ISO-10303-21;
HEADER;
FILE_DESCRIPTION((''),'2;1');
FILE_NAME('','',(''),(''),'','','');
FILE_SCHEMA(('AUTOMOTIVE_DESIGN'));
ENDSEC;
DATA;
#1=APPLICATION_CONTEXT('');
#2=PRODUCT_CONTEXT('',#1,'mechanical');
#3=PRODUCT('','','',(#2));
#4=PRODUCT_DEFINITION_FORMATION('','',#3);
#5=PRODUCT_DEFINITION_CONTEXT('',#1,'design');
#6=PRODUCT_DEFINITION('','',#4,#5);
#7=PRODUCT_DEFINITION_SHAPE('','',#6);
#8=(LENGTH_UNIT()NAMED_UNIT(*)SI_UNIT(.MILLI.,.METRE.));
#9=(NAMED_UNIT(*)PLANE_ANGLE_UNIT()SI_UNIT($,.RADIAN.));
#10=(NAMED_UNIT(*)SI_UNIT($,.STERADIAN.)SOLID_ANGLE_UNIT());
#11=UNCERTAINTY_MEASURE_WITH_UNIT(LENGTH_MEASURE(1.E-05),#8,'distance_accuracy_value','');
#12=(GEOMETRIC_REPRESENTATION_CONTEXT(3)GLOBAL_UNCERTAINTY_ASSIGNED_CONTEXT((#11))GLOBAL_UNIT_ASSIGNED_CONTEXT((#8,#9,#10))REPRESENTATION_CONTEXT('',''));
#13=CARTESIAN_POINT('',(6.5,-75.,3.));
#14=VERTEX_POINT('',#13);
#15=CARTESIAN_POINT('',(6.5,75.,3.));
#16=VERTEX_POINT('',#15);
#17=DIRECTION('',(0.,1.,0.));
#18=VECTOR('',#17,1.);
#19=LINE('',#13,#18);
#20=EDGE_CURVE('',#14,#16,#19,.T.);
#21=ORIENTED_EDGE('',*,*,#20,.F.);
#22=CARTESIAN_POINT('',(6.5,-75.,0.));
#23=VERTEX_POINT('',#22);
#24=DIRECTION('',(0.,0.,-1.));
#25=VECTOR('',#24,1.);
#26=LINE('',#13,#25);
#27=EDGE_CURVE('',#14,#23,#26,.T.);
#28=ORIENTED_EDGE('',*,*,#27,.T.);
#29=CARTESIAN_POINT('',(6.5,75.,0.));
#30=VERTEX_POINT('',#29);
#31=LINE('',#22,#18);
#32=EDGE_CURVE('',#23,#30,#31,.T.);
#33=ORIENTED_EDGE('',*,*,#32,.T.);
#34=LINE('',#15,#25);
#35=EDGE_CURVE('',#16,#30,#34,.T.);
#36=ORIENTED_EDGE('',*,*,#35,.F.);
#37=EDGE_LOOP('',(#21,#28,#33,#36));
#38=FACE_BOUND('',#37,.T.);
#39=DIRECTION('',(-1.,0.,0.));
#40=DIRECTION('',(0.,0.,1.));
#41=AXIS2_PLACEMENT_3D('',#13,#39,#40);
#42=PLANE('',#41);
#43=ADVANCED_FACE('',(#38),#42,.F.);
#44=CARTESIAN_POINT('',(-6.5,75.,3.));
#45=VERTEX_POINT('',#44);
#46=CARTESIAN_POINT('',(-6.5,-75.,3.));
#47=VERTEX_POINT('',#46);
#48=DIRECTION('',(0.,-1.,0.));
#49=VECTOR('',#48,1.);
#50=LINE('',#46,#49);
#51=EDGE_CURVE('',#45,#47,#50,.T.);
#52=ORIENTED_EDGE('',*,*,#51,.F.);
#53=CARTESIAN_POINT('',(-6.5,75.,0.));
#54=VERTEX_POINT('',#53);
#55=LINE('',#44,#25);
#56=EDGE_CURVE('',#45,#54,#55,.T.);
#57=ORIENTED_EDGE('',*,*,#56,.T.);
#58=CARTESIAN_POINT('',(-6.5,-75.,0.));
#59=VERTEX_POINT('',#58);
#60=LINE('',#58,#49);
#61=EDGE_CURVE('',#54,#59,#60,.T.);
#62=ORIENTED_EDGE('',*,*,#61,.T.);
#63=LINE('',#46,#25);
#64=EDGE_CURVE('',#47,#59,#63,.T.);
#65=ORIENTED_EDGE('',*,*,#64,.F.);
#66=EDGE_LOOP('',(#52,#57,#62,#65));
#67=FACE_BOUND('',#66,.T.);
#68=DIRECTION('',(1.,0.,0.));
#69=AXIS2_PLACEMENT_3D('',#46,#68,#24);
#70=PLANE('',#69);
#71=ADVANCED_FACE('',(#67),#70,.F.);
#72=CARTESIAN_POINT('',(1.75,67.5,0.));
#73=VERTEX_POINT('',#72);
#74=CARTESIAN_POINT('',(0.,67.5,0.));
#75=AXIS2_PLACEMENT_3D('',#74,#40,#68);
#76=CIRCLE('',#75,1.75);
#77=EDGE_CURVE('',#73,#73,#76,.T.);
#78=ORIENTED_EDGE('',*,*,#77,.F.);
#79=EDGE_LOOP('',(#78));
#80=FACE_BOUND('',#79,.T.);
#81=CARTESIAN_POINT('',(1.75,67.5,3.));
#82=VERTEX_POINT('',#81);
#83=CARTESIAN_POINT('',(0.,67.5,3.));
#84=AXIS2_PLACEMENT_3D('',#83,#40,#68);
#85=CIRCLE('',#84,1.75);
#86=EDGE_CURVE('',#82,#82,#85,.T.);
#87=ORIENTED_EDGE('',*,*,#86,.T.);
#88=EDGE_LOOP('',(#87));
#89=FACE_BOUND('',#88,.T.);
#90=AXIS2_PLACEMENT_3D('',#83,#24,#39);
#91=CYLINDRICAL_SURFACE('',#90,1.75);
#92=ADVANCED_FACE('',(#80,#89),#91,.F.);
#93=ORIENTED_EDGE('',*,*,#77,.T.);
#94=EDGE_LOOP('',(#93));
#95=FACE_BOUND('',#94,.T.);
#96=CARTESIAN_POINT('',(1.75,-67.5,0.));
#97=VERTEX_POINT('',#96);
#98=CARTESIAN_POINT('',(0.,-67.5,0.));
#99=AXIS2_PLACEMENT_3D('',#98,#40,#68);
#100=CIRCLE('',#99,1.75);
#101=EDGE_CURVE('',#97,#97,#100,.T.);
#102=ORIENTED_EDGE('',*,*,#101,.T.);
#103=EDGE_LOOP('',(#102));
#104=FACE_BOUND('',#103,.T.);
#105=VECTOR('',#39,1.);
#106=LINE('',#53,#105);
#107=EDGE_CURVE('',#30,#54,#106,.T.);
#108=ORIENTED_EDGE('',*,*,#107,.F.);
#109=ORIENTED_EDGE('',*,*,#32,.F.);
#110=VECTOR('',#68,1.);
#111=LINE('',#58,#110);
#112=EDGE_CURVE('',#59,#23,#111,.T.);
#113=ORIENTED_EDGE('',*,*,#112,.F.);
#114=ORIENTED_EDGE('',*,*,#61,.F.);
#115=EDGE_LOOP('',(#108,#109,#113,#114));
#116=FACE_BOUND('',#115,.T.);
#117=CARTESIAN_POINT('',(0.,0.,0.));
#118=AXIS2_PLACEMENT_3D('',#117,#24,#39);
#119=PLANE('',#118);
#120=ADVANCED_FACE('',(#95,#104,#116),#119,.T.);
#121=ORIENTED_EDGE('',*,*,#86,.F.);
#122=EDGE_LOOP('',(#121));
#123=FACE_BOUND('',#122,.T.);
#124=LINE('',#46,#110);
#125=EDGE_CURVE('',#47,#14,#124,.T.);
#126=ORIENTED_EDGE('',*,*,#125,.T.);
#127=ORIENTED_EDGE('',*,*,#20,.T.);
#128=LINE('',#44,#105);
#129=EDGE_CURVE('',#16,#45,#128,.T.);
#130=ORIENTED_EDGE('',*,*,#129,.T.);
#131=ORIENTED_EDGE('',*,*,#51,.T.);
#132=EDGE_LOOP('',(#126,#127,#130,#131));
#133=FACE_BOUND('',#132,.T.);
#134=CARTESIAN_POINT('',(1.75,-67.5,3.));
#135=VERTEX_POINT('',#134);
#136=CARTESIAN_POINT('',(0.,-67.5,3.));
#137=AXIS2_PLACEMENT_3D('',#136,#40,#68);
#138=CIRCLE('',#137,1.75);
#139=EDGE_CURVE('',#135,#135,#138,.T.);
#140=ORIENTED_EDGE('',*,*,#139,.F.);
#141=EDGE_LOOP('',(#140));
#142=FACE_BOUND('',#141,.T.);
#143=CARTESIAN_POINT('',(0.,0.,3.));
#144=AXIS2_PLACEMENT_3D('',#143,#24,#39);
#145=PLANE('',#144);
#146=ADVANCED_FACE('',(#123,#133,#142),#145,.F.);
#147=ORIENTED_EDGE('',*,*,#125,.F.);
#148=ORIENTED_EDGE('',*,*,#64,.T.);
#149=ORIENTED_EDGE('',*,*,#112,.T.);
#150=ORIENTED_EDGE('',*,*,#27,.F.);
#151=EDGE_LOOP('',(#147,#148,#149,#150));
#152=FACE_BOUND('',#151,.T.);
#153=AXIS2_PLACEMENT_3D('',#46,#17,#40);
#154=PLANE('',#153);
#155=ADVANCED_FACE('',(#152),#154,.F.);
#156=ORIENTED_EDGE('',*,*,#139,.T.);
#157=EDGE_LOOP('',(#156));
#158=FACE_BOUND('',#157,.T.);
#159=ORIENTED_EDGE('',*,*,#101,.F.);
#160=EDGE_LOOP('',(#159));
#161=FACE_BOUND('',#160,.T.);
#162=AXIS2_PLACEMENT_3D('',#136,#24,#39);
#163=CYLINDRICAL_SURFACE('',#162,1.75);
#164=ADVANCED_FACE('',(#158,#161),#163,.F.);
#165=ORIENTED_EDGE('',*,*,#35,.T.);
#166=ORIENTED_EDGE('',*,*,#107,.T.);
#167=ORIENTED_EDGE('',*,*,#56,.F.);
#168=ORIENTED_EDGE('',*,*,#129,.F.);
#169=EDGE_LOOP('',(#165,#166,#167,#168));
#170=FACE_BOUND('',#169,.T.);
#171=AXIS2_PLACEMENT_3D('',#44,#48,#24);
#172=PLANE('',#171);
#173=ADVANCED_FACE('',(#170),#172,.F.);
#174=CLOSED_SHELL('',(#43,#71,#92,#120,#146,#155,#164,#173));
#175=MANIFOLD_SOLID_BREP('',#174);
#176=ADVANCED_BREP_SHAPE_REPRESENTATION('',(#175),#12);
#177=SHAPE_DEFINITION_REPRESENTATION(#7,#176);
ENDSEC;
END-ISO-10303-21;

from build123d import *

# Parameters (mm, degrees)
SZKIC1_W                    = 13
SZKIC1_H                    = 150
SZKIC1_R                    = 1.75
DODANIE_WYCI_GNI_CIE1_DEPTH = 3


with BuildPart() as part:
    # Szkic1 → Dodanie-wyciągnięcie1 (new body)
    with BuildSketch(Plane.XY):
        Rectangle(SZKIC1_W, SZKIC1_H)
        with Locations((0, 67.5)):
            Circle(SZKIC1_R, mode=Mode.SUBTRACT)
        with Locations((0, -67.5)):
            Circle(SZKIC1_R, mode=Mode.SUBTRACT)
    extrude(amount=DODANIE_WYCI_GNI_CIE1_DEPTH)


solid = part.part
